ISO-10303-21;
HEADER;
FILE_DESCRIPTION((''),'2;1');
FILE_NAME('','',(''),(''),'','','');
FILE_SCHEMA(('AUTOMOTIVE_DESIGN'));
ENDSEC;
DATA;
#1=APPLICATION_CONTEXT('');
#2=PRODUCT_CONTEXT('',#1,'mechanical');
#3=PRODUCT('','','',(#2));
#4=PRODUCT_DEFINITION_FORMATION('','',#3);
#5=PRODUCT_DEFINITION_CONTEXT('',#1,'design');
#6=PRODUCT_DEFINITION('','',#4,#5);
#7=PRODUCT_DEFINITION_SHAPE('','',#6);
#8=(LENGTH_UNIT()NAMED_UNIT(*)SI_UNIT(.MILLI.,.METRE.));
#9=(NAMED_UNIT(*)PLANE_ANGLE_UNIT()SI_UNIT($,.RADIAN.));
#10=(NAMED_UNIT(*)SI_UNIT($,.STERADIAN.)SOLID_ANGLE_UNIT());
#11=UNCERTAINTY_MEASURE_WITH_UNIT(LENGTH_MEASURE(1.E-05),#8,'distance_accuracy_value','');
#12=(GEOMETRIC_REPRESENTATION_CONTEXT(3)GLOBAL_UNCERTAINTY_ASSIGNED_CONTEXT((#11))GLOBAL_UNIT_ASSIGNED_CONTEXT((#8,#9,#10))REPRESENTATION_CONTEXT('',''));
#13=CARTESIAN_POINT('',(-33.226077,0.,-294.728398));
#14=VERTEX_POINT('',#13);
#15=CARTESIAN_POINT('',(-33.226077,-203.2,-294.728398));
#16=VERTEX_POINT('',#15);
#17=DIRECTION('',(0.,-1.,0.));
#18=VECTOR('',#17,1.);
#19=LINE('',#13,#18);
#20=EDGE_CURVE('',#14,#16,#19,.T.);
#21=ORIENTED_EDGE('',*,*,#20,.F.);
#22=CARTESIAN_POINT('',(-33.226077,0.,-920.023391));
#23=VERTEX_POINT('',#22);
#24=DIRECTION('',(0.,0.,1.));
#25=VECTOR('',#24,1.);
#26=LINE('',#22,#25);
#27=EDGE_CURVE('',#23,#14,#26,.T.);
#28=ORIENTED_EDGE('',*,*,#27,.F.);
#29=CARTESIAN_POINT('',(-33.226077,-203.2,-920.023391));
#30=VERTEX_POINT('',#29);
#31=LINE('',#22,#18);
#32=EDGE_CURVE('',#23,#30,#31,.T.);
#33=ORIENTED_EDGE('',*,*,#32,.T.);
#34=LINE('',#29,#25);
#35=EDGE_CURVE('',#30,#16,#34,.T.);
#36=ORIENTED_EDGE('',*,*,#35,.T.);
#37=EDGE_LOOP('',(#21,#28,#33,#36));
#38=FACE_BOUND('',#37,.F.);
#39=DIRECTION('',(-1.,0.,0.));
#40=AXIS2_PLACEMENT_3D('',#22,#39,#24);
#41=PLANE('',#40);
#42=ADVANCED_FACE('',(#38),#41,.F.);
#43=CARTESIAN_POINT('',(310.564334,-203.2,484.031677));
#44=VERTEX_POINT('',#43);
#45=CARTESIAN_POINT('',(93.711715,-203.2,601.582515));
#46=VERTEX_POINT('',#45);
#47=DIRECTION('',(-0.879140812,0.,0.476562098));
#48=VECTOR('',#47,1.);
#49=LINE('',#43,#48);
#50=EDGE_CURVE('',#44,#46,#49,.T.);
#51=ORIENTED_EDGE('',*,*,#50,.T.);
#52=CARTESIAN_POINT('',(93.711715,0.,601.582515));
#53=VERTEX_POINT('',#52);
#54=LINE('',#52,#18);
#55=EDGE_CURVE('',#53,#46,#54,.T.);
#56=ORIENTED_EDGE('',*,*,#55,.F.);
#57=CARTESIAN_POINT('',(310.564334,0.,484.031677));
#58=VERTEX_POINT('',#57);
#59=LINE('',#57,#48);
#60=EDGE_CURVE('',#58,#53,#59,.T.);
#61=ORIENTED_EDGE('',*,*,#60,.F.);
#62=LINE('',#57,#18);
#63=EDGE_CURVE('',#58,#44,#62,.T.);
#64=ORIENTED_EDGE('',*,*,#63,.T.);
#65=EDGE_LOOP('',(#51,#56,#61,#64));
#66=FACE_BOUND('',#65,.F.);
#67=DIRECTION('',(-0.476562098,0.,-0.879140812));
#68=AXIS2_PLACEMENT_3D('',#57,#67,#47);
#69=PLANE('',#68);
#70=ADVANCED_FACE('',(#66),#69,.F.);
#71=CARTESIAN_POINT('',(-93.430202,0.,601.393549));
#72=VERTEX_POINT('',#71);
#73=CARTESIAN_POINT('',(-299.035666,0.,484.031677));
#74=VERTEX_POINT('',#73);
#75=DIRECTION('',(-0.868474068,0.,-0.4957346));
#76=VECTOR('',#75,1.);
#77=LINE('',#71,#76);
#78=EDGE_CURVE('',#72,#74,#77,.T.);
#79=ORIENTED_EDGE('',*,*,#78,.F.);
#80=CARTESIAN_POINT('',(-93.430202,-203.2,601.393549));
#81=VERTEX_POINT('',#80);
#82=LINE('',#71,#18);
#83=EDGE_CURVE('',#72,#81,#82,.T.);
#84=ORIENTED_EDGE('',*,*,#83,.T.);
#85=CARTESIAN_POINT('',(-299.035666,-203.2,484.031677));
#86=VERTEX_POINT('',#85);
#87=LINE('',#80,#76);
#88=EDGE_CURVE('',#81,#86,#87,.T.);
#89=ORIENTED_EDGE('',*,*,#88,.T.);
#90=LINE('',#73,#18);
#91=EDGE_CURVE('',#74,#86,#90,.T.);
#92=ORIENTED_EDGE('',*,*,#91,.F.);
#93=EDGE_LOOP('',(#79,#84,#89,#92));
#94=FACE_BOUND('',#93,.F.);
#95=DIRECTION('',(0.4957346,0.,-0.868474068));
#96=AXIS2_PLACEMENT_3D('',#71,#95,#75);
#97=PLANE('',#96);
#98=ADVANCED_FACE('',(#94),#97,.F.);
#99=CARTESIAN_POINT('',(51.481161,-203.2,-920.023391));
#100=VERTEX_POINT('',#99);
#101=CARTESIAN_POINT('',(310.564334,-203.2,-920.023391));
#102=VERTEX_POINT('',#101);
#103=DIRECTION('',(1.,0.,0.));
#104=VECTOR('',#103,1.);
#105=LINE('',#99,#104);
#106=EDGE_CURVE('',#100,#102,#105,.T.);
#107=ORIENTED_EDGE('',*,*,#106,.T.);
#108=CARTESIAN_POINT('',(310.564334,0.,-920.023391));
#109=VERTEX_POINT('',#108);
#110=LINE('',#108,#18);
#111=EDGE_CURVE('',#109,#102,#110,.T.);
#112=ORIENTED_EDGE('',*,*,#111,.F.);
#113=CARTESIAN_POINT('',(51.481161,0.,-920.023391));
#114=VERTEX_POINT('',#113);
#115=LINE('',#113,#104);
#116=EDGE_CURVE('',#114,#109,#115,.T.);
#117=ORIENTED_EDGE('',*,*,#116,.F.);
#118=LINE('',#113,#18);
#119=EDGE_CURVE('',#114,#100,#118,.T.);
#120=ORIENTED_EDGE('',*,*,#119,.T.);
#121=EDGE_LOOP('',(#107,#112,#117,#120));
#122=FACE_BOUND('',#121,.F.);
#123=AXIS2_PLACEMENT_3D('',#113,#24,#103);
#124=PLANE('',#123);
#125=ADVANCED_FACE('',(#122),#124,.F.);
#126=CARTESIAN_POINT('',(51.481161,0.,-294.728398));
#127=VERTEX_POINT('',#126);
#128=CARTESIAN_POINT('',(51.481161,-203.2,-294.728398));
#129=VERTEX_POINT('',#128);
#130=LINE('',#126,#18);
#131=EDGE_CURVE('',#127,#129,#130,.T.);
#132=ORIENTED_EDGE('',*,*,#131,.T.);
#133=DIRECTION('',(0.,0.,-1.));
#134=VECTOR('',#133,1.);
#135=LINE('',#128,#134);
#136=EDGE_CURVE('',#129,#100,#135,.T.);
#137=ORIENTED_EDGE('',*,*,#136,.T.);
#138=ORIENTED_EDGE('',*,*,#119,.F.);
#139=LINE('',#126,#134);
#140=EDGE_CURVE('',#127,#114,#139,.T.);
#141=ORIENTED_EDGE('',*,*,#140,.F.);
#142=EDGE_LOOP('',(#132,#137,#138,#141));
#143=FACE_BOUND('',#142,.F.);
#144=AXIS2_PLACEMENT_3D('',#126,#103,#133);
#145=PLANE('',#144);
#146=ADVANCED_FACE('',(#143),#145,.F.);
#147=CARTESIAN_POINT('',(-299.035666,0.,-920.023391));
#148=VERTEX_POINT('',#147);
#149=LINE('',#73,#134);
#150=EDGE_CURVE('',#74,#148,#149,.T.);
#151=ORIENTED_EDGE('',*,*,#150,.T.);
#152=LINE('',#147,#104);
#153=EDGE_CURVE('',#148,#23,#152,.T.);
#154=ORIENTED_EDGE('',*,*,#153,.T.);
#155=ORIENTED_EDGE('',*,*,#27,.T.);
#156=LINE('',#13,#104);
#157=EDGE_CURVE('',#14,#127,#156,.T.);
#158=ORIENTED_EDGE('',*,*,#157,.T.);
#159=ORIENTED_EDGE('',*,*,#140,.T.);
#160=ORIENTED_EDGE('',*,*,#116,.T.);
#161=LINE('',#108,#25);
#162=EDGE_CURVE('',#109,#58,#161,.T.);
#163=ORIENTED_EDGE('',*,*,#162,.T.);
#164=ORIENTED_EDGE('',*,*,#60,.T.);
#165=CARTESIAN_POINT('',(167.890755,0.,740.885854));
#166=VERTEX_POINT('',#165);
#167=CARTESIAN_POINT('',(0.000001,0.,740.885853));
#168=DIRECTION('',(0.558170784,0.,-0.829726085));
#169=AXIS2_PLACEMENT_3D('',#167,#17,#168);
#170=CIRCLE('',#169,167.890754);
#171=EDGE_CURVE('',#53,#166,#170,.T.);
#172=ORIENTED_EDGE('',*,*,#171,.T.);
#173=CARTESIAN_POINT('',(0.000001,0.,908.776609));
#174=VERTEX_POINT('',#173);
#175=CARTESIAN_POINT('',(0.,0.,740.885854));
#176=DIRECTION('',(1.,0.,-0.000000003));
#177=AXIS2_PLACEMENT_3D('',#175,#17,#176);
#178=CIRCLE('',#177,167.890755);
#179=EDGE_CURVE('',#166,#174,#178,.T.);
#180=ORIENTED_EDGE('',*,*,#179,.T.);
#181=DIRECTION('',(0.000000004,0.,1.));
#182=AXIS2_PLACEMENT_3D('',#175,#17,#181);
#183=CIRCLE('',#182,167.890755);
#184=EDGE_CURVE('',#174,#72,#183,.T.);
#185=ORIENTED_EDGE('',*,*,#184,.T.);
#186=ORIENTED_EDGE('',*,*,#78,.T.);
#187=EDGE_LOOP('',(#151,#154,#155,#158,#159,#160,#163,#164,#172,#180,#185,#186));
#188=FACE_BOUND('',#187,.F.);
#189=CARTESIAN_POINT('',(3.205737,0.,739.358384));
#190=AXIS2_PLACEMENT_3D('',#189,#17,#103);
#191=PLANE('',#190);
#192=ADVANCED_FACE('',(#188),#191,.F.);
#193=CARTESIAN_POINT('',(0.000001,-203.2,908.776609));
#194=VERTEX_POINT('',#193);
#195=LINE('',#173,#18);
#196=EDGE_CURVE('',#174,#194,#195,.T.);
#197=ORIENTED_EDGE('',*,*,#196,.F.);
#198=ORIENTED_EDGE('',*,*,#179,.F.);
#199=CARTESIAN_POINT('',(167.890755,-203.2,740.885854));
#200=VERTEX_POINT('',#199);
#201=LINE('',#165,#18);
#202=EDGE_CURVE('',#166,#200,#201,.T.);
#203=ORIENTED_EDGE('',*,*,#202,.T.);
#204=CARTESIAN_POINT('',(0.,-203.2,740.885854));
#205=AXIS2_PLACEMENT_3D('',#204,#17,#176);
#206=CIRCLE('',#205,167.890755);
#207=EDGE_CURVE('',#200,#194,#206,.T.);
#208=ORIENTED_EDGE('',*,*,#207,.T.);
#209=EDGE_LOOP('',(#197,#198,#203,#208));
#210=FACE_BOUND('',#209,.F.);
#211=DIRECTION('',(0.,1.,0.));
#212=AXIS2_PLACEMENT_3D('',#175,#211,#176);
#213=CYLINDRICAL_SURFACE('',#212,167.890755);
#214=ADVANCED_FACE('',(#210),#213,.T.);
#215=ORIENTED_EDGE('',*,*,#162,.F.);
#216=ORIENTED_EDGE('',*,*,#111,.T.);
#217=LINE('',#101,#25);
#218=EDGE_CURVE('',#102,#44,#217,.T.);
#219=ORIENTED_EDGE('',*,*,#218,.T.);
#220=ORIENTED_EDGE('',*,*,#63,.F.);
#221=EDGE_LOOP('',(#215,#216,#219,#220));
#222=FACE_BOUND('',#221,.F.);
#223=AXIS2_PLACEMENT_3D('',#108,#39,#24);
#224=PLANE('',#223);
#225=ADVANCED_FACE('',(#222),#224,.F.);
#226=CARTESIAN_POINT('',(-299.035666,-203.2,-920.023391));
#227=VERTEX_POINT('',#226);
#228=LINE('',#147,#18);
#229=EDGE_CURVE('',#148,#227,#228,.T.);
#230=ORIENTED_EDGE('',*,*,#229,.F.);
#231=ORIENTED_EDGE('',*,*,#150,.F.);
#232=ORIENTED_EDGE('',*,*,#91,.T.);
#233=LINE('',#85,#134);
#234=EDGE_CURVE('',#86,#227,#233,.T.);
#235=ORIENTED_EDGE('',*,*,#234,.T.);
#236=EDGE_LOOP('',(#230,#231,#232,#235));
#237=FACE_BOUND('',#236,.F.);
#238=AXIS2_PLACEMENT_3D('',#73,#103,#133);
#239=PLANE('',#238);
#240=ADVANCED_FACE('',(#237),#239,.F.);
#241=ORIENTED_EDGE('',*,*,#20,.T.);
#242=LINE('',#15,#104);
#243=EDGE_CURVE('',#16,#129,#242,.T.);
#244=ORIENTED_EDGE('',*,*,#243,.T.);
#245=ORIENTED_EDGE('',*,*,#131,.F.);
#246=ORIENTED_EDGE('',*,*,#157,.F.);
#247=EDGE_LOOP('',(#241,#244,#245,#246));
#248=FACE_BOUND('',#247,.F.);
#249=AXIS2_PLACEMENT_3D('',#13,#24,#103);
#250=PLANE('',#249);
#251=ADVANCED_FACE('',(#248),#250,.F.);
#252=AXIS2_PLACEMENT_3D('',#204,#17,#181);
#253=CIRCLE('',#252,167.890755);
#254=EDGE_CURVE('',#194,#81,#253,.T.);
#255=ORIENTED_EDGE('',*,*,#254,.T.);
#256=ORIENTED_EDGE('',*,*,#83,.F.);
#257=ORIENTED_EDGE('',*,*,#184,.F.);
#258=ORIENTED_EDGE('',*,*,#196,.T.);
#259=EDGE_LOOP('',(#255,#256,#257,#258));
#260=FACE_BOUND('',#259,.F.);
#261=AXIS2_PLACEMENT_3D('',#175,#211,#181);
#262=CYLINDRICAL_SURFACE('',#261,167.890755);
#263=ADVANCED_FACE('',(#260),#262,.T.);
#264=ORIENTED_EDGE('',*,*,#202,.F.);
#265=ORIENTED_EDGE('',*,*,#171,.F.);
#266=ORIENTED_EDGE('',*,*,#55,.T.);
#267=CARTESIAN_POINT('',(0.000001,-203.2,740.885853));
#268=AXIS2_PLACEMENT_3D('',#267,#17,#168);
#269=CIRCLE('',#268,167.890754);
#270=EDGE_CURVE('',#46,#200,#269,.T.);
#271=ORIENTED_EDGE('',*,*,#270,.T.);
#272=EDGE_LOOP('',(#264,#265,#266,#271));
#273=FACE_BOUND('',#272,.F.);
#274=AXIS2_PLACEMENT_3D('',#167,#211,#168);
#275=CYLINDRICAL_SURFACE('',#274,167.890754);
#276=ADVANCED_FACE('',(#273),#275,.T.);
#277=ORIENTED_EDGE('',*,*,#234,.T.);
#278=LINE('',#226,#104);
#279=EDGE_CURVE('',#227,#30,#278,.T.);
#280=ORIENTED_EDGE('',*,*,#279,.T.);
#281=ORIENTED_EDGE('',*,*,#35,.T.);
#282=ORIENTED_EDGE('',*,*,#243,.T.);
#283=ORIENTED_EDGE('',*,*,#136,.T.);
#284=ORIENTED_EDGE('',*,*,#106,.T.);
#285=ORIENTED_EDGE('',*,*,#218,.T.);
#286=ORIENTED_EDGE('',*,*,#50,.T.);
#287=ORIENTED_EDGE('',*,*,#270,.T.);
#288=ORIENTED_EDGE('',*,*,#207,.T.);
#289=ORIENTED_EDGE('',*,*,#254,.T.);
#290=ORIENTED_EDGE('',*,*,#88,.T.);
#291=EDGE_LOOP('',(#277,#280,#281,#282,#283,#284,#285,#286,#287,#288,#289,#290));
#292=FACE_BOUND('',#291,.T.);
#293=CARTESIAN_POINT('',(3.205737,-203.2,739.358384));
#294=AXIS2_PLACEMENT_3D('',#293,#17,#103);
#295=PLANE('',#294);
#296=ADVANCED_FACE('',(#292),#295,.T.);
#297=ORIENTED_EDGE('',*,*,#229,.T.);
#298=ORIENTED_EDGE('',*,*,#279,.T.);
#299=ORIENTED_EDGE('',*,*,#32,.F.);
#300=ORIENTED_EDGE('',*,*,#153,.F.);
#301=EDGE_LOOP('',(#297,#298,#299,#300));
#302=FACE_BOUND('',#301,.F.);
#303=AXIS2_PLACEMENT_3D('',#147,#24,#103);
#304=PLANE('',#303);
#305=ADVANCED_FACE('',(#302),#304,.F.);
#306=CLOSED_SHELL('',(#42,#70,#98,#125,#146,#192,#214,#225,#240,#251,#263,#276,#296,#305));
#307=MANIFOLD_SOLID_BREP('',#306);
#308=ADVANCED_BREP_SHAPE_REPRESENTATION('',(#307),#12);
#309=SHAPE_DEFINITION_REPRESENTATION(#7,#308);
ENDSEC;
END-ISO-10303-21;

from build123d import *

# Parameters (mm, degrees)
F1_DEPTH = 203.2


with BuildPart() as f1:
    # F0 (on Front) → F1 (new body)
    with BuildSketch(Plane.XZ):
        with BuildLine():
            ThreePointArc((167.890755, 740.885854), (118.716692, 859.602545), (1e-06, 908.776609))
            ThreePointArc((1e-06, 908.776609), (-160.634327, 789.711243), (-93.430202, 601.393549))
            ThreePointArc((-93.430202, 601.393549), (0.169527, 572.995184), (93.711715, 601.582515))
            ThreePointArc((93.711715, 601.582515), (148.190142, 661.97459), (167.890755, 740.885854))
        make_face()
        with BuildLine():
            Line((-93.430202, 601.393549), (-299.035666, 484.031677))
            Line((-299.035666, 484.031677), (-299.035666, -920.023391))
            Line((-299.035666, -920.023391), (-33.226077, -920.023391))
            Line((-33.226077, -920.023391), (-33.226077, -294.728398))
            Line((-33.226077, -294.728398), (51.481161, -294.728398))
            Line((51.481161, -294.728398), (51.481161, -920.023391))
            Line((51.481161, -920.023391), (310.564334, -920.023391))
            Line((310.564334, -920.023391), (310.564334, 484.031677))
            Line((310.564334, 484.031677), (93.711715, 601.582515))
            ThreePointArc((93.711715, 601.582515), (0.169527, 572.995184), (-93.430202, 601.393549))
        make_face()
    extrude(amount=F1_DEPTH)


solid = f1.part
